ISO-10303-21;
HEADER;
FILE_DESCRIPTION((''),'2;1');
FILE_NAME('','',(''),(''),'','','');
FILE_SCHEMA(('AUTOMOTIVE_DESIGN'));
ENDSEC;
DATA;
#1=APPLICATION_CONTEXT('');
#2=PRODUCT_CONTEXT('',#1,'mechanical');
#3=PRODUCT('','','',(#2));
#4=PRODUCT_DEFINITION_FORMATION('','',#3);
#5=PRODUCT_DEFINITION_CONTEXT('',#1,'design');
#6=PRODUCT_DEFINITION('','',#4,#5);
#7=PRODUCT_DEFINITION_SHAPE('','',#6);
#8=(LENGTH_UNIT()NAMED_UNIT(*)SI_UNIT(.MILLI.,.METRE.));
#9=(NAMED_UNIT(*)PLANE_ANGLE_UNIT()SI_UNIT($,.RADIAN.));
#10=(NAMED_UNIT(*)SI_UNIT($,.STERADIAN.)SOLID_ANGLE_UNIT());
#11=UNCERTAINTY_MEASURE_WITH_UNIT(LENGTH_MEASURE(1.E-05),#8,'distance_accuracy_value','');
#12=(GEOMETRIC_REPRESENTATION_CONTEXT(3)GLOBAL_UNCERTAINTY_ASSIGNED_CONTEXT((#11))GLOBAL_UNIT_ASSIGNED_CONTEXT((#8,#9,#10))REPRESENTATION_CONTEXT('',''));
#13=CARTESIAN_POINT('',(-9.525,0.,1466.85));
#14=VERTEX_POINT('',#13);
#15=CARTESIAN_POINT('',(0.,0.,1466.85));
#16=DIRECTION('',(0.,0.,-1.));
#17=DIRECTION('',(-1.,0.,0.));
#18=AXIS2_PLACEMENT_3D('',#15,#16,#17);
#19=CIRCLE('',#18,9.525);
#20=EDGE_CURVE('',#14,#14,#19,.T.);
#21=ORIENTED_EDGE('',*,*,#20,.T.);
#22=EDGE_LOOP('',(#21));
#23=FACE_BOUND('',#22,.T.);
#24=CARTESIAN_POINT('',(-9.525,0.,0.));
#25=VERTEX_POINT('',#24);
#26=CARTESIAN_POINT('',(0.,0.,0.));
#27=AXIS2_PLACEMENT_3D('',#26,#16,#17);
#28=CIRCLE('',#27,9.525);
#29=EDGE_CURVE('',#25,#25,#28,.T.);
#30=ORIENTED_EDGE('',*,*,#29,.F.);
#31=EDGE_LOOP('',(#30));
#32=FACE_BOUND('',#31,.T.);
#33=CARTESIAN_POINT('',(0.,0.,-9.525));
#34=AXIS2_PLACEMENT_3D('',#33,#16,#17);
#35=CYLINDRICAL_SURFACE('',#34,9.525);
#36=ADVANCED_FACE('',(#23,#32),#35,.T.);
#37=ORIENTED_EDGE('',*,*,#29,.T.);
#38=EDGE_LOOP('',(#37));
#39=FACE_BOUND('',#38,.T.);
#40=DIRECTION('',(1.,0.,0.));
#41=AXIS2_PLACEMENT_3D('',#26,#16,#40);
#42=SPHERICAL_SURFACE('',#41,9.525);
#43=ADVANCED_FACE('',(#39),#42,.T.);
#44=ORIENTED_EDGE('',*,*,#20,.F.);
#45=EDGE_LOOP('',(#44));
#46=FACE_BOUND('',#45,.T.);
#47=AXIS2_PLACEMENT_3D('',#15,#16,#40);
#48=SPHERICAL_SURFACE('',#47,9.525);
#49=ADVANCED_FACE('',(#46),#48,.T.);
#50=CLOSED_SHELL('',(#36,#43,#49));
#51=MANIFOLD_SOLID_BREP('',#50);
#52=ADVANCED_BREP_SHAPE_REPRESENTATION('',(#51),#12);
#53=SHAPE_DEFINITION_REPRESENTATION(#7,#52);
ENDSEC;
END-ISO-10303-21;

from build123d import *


with BuildPart() as part:
    # Sketch1 → Revolve1 (revolve)
    with BuildSketch(Plane(origin=(0, 0, 0), x_dir=(1, 0, 0), z_dir=(0, 1, 0))):
        with BuildLine():
            Line((9.525, 0), (9.525, -1466.85))
            ThreePointArc((9.525, -1466.85), (6.735192091, -1473.585192091), (0, -1476.375))
            Line((0, -1476.375), (0, 9.525))
            ThreePointArc((0, 9.525), (6.735192091, 6.735192091), (9.525, 0))
        make_face()
    revolve(axis=Axis((0, 0, -9.525), (0, 0, 1)))


solid = part.part
